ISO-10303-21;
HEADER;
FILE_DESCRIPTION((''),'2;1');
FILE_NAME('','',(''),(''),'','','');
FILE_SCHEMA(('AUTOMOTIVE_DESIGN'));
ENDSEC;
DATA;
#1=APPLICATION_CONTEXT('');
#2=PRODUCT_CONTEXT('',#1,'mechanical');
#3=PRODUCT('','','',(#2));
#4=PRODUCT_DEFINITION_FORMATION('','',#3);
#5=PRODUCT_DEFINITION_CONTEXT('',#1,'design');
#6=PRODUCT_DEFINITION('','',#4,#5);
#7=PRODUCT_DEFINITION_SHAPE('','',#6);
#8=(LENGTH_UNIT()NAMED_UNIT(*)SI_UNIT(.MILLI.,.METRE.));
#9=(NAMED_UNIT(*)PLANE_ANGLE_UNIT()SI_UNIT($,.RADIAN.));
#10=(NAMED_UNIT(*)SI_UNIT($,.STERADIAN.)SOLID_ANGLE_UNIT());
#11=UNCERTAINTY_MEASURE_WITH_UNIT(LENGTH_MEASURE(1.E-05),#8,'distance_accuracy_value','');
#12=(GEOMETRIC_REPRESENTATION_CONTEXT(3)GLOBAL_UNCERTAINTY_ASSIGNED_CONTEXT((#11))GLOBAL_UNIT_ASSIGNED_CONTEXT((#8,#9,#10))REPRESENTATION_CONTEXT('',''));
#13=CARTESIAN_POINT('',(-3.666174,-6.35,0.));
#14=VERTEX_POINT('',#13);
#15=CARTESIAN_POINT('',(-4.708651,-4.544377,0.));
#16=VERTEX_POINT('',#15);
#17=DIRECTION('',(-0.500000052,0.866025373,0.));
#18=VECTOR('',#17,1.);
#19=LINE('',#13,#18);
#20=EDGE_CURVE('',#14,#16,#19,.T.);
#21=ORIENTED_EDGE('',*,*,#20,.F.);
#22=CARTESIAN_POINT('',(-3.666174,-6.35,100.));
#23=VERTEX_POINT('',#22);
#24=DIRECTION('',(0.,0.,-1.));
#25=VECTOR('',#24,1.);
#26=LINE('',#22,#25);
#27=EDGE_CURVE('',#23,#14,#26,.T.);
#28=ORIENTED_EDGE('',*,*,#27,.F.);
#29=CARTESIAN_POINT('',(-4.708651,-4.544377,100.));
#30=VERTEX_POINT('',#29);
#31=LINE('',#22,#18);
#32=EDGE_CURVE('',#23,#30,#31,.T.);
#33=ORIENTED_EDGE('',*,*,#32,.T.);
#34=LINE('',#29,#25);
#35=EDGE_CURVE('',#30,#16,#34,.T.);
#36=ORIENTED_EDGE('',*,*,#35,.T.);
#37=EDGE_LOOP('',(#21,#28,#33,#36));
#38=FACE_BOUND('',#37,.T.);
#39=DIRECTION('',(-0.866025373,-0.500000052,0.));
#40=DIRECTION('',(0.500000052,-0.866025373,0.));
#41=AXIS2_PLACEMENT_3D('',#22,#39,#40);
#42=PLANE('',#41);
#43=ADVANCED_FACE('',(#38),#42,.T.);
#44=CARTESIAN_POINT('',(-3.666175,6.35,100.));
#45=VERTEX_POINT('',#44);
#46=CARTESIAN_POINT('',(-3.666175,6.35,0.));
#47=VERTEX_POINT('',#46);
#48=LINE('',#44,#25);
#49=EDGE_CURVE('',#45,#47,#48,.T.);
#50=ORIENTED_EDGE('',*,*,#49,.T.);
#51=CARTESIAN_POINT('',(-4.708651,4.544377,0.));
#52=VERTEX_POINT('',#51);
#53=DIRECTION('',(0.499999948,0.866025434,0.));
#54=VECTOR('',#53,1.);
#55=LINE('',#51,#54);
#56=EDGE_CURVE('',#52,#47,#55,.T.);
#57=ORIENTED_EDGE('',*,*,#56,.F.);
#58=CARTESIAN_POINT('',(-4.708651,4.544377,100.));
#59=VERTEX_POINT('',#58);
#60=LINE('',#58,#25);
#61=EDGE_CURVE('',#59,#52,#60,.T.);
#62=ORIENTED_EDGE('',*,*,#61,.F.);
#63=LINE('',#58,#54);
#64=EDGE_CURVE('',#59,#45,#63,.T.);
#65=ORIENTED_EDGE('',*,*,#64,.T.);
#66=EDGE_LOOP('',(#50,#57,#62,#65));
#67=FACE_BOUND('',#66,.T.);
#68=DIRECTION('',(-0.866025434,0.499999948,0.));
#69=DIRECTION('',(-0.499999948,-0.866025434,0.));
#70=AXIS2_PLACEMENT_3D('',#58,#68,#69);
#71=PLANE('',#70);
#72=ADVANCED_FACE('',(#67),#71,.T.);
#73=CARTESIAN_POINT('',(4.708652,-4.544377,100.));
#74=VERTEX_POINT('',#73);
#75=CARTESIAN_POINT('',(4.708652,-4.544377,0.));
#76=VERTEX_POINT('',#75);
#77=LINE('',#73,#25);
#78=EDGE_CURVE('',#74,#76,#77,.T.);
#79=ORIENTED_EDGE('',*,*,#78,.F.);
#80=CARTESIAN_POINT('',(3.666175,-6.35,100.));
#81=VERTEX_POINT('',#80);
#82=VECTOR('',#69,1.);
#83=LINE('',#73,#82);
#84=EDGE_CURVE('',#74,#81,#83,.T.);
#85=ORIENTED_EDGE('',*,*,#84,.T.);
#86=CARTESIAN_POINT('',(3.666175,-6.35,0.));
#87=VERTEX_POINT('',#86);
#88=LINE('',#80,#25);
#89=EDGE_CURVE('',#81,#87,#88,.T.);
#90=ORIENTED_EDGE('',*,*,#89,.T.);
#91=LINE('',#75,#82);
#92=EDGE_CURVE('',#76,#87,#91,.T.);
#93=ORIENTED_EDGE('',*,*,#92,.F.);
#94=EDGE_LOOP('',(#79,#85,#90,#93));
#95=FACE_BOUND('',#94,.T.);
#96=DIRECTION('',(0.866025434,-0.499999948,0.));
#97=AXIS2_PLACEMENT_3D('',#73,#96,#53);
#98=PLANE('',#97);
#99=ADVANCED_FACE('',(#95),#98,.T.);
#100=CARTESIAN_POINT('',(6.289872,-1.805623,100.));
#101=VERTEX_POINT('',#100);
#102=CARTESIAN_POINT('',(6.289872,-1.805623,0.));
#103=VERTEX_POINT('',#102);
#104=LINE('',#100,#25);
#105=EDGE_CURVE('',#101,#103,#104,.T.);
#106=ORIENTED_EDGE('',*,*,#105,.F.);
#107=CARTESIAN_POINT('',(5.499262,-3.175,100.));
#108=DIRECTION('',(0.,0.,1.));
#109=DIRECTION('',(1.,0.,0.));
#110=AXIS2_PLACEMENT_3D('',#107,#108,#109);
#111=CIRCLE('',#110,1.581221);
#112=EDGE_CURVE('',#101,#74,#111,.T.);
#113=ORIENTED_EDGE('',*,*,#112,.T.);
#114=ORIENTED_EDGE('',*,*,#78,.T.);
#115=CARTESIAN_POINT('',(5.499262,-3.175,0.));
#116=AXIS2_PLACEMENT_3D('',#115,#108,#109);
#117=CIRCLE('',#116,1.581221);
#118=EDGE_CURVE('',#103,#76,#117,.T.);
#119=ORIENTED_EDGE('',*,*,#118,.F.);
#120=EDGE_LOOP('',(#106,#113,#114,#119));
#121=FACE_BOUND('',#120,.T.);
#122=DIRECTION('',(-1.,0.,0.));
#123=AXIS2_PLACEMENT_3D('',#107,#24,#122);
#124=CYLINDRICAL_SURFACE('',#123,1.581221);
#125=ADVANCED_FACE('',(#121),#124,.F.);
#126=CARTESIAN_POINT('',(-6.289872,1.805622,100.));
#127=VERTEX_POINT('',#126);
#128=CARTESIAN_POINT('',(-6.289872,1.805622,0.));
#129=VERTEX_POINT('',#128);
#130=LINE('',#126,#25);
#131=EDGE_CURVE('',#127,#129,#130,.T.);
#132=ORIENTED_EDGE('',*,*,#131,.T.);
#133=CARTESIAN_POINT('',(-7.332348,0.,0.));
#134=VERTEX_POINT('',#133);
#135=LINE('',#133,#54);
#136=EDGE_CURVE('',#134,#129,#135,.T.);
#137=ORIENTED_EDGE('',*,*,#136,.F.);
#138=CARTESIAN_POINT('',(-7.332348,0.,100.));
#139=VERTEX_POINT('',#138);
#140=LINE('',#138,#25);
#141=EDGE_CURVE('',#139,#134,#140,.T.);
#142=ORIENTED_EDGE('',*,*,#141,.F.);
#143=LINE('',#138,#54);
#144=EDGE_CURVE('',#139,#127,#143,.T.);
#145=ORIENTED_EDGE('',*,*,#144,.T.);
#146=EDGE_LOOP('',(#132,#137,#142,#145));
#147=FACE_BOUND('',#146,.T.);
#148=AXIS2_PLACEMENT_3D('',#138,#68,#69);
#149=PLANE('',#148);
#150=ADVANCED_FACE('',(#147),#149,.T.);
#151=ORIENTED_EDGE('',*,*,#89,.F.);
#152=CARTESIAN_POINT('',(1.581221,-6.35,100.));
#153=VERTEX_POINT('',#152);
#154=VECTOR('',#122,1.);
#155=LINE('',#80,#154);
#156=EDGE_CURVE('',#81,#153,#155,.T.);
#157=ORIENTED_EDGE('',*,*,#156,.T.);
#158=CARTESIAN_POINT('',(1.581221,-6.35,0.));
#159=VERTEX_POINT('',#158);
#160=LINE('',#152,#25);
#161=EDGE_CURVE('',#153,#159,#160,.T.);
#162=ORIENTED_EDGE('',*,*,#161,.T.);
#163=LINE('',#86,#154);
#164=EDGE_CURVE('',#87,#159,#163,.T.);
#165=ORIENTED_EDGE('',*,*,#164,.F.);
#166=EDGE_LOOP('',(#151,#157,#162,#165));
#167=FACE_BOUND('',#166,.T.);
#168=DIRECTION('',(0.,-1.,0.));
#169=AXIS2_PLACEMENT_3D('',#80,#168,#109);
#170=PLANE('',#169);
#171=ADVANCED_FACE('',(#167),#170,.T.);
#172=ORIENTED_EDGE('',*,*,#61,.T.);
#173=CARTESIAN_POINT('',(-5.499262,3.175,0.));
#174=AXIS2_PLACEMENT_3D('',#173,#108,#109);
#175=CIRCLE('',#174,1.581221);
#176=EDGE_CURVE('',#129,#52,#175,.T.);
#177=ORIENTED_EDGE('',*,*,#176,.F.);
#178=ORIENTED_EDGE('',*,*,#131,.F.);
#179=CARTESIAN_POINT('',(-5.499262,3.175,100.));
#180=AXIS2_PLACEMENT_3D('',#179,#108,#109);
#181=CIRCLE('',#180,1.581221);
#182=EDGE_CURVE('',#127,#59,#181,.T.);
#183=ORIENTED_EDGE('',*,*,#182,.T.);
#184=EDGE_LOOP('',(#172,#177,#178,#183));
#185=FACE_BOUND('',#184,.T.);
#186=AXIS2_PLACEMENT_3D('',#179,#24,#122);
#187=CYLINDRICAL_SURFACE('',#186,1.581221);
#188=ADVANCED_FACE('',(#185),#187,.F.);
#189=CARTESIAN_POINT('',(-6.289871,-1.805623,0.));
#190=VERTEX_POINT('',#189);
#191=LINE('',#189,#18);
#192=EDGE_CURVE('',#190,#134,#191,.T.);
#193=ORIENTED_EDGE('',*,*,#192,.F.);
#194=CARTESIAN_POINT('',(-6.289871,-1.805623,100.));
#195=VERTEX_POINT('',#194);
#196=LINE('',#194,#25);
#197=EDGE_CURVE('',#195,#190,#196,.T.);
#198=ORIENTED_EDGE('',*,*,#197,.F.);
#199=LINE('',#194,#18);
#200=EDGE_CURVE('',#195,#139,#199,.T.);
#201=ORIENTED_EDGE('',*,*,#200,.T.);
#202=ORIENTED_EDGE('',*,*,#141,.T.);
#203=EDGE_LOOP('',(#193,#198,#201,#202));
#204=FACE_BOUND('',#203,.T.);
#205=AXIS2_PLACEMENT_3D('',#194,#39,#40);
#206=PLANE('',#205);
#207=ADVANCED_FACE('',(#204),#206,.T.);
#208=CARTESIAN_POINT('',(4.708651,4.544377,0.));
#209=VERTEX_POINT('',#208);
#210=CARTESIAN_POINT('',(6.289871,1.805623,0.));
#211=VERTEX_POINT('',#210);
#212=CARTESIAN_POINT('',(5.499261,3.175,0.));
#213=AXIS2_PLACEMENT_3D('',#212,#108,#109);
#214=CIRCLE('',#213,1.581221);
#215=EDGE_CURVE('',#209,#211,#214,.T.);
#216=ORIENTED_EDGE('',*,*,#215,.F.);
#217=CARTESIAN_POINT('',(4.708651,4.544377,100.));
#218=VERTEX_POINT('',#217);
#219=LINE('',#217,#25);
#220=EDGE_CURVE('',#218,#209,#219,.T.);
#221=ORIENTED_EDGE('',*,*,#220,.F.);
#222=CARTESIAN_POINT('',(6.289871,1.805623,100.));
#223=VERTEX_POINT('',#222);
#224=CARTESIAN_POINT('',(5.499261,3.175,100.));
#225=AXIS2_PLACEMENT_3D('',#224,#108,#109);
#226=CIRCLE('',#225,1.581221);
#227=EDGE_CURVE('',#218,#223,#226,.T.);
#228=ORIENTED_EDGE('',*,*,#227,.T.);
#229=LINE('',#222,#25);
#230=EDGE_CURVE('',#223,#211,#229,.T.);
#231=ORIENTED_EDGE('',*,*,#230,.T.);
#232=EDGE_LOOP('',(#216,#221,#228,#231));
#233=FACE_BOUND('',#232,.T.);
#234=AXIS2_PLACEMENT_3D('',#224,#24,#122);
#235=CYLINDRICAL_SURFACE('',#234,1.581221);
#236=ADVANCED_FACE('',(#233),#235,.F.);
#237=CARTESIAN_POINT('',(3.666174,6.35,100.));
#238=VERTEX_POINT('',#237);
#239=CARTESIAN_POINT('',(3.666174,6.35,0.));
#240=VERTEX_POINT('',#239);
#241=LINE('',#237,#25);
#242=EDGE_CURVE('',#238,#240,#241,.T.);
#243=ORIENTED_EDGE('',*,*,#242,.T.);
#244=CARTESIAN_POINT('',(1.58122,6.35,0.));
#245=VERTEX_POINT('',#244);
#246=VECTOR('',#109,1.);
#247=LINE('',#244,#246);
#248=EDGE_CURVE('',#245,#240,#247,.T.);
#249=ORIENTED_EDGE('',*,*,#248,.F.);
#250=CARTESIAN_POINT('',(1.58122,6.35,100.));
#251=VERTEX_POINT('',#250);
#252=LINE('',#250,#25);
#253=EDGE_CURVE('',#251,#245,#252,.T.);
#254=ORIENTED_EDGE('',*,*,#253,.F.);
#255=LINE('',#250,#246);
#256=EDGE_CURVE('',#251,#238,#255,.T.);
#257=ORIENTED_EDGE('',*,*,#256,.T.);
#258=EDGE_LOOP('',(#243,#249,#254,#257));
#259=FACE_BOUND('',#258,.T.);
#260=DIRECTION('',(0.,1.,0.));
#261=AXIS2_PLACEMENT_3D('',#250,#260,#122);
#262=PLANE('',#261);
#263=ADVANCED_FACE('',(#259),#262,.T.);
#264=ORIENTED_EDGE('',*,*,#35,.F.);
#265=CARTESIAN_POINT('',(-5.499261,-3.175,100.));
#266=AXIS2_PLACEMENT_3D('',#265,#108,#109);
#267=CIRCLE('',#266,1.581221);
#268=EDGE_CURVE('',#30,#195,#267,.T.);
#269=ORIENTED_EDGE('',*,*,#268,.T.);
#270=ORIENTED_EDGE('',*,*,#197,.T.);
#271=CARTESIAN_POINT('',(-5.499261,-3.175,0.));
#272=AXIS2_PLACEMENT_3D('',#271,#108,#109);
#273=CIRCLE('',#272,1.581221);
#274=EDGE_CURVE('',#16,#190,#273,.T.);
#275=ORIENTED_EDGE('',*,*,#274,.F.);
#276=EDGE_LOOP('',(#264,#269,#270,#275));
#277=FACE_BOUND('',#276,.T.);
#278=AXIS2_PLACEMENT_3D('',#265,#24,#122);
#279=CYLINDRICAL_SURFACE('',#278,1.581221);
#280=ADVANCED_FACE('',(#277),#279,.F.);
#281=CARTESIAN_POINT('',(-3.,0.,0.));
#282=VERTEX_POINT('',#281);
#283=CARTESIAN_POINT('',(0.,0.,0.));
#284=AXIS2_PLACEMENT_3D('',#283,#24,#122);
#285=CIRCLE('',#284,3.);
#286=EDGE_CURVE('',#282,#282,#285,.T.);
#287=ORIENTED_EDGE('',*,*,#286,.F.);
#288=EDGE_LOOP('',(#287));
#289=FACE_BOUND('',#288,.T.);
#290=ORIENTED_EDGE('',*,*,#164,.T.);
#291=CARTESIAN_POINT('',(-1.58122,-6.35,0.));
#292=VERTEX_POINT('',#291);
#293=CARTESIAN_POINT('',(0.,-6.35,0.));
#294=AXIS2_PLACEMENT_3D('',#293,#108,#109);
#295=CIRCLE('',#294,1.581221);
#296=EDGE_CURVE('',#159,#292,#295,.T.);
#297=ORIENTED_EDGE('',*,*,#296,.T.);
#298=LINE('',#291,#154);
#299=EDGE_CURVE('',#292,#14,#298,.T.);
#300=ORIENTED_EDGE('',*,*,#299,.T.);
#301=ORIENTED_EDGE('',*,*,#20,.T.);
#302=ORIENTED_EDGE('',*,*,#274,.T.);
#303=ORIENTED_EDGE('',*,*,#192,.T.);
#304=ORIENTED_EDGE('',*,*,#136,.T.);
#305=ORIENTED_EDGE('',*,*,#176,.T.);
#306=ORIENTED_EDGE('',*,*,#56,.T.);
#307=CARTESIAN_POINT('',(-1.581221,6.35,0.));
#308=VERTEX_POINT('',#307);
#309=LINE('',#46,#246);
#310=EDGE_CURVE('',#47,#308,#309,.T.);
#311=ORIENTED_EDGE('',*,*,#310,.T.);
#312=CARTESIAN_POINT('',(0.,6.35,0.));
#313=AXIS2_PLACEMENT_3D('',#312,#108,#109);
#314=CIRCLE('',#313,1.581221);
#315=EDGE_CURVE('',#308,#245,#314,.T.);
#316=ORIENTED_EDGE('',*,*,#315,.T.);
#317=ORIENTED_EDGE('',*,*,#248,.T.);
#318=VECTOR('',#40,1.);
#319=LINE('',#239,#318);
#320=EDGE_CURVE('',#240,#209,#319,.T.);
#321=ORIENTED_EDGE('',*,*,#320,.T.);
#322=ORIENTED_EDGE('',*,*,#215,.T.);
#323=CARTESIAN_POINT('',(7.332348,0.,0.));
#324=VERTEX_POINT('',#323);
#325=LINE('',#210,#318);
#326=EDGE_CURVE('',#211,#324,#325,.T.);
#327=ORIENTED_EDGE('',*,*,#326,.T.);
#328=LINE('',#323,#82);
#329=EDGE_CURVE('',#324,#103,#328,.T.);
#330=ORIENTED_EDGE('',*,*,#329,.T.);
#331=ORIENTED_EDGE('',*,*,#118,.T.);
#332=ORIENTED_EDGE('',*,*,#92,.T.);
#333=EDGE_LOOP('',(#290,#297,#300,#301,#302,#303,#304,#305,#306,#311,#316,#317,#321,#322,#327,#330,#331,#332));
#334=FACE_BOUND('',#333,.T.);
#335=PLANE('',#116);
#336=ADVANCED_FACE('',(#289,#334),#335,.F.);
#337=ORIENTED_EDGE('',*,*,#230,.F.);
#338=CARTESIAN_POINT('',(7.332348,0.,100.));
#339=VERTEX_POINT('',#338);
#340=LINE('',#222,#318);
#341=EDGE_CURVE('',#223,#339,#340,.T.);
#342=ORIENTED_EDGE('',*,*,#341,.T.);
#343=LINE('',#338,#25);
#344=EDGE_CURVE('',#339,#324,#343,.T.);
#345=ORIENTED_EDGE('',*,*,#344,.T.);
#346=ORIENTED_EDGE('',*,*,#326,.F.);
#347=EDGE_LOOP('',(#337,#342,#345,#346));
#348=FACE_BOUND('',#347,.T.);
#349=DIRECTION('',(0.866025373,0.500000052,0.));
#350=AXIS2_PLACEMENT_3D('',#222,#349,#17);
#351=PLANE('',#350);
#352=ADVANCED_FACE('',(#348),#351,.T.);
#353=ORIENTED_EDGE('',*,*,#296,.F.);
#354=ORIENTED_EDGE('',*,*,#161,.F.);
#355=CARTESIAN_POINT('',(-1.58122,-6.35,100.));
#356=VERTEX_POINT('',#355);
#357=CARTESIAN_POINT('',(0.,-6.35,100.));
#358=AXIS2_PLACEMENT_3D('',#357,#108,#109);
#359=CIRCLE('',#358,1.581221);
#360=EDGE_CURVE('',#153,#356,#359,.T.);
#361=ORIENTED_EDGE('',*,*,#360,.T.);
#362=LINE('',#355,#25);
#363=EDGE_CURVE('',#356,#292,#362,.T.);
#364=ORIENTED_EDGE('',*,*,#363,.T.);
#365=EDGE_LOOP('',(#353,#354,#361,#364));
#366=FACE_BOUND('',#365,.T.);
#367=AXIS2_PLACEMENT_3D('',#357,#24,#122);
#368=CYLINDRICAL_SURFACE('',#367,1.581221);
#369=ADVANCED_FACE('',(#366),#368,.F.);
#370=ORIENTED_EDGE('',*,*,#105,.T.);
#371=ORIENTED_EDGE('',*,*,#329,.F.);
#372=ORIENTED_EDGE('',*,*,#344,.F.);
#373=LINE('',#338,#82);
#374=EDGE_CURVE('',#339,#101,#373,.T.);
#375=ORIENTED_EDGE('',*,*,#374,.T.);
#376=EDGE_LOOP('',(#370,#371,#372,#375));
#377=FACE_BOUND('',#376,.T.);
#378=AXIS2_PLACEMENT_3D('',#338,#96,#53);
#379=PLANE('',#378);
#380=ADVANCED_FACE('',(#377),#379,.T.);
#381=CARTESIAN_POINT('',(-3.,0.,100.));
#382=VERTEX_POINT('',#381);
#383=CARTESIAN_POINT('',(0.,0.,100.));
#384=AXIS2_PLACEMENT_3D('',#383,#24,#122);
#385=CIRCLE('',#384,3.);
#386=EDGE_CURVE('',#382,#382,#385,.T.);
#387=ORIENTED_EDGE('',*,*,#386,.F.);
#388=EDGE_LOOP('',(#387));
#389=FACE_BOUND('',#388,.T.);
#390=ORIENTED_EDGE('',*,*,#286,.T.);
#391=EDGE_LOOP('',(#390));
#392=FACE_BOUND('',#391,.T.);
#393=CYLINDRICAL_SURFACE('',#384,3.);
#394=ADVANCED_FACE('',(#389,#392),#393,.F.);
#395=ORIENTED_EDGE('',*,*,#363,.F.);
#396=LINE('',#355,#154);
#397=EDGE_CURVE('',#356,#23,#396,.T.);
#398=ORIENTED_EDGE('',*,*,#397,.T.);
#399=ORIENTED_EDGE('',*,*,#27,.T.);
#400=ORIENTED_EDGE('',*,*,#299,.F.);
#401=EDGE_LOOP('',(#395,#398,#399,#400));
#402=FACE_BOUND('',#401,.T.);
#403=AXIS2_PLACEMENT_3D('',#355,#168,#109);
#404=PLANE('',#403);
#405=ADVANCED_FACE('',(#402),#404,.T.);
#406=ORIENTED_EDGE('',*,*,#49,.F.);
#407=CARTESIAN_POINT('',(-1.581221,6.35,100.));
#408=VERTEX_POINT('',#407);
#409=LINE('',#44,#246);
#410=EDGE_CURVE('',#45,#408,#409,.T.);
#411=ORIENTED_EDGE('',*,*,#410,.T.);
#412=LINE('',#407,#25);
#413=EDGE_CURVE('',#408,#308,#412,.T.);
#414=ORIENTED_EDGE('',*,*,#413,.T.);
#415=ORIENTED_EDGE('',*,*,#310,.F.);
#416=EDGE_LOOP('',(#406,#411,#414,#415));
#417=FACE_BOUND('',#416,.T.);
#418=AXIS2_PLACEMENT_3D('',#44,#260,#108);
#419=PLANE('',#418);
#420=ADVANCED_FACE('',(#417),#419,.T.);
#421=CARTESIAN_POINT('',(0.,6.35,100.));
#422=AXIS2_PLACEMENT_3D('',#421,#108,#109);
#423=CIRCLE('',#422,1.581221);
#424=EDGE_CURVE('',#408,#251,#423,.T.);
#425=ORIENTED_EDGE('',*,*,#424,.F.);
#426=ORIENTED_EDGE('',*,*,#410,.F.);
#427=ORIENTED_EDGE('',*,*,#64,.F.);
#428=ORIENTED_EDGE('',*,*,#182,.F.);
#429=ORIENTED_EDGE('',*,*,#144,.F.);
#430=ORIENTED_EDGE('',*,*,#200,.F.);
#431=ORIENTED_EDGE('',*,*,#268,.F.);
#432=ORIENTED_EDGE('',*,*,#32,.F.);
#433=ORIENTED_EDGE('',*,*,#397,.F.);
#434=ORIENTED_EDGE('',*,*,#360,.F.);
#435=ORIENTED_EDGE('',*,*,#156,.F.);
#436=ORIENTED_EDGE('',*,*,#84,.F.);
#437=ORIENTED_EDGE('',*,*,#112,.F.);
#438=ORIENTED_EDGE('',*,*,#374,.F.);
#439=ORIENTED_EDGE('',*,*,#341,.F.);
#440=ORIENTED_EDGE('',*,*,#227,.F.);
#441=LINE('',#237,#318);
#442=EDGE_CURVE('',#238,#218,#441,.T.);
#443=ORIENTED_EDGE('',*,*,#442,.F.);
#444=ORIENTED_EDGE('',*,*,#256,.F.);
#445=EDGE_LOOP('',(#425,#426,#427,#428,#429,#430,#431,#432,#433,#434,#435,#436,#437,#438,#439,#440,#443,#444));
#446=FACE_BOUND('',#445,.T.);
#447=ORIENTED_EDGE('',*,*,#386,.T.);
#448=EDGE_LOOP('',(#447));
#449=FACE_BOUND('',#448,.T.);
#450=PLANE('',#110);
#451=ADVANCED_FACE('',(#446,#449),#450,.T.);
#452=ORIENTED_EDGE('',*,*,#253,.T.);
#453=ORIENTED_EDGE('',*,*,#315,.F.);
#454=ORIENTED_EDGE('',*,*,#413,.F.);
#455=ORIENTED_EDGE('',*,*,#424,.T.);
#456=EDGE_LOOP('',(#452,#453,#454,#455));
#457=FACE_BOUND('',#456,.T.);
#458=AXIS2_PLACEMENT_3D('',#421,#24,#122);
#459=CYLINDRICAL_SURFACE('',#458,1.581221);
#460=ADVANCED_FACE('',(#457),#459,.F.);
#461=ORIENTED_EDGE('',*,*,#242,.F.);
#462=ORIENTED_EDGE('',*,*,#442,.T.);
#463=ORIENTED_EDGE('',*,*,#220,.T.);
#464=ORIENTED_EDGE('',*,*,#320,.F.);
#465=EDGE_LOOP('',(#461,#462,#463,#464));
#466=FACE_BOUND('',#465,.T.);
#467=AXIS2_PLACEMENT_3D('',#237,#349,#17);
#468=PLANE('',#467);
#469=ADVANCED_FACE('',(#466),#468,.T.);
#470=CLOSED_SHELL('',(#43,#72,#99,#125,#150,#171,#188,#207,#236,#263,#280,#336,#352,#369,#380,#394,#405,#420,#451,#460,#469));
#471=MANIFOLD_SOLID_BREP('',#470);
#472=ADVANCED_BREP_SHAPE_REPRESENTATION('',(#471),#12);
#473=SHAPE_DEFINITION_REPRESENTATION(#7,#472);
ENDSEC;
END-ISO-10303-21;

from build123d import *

# Parameters (mm, degrees)
Y_KSEKLIK_EKSTR_ZYON1_DEPTH = 100
IZIM6_R                     = 3
KES_EKSTR_ZYON2_DEPTH       = 1
KES_EKSTR_ZYON2_DEPTH_BACK  = 101


with BuildPart() as part:
    # Çizim4 → Yükseklik-Ekstrüzyon1 (new body)
    with BuildSketch(Plane.XY):
        with BuildLine():
            Line((-3.666174594, 6.349999778), (-1.581220903, 6.349999778))
            ThreePointArc((-1.581220903, 6.349999778), (-3.85e-07, 4.768779481), (1.581220134, 6.349999778))
            Line((1.581220134, 6.349999778), (3.666173825, 6.349999778))
            Line((3.666173825, 6.349999778), (4.708650587, 4.544377312))
            ThreePointArc((4.708650587, 4.544377312), (4.129884032, 2.384389991), (6.289871272, 1.805623132))
            Line((6.289871272, 1.805623132), (7.332348419, 0))
            Line((7.332348419, 0), (6.289871875, -1.805622592))
            ThreePointArc((6.289871875, -1.805622592), (4.12988432, -2.384389491), (4.708651522, -4.544376964))
            Line((4.708651522, -4.544376964), (3.666174594, -6.350000222))
            Line((3.666174594, -6.350000222), (1.581220903, -6.350000222))
            ThreePointArc((1.581220903, -6.350000222), (3.85e-07, -4.768779481), (-1.581220134, -6.350000222))
            Line((-1.581220134, -6.350000222), (-3.666173825, -6.350000222))
            Line((-3.666173825, -6.350000222), (-4.708650779, -4.544377423))
            ThreePointArc((-4.708650779, -4.544377423), (-4.129884032, -2.384389991), (-6.289871464, -1.805623243))
            Line((-6.289871464, -1.805623243), (-7.332348419, -4.44e-07))
            Line((-7.332348419, -4.44e-07), (-6.289871683, 1.805622481))
            ThreePointArc((-6.289871683, 1.805622481), (-4.12988432, 2.384389491), (-4.70865133, 4.544376853))
            Line((-4.70865133, 4.544376853), (-3.666174594, 6.349999778))
        make_face()
    extrude(amount=Y_KSEKLIK_EKSTR_ZYON1_DEPTH)

    # Çizim6 → Kes-Ekstrüzyon2 (cut, two sides)
    with BuildSketch(Plane(origin=(0, 0, 0), x_dir=(-1, 0, 0), z_dir=(0, 0, -1))) as kes_ekstr_zyon2_sk:
        Circle(IZIM6_R)
    extrude(amount=KES_EKSTR_ZYON2_DEPTH, mode=Mode.SUBTRACT)
    extrude(kes_ekstr_zyon2_sk.sketch, amount=-KES_EKSTR_ZYON2_DEPTH_BACK, mode=Mode.SUBTRACT)


solid = part.part
